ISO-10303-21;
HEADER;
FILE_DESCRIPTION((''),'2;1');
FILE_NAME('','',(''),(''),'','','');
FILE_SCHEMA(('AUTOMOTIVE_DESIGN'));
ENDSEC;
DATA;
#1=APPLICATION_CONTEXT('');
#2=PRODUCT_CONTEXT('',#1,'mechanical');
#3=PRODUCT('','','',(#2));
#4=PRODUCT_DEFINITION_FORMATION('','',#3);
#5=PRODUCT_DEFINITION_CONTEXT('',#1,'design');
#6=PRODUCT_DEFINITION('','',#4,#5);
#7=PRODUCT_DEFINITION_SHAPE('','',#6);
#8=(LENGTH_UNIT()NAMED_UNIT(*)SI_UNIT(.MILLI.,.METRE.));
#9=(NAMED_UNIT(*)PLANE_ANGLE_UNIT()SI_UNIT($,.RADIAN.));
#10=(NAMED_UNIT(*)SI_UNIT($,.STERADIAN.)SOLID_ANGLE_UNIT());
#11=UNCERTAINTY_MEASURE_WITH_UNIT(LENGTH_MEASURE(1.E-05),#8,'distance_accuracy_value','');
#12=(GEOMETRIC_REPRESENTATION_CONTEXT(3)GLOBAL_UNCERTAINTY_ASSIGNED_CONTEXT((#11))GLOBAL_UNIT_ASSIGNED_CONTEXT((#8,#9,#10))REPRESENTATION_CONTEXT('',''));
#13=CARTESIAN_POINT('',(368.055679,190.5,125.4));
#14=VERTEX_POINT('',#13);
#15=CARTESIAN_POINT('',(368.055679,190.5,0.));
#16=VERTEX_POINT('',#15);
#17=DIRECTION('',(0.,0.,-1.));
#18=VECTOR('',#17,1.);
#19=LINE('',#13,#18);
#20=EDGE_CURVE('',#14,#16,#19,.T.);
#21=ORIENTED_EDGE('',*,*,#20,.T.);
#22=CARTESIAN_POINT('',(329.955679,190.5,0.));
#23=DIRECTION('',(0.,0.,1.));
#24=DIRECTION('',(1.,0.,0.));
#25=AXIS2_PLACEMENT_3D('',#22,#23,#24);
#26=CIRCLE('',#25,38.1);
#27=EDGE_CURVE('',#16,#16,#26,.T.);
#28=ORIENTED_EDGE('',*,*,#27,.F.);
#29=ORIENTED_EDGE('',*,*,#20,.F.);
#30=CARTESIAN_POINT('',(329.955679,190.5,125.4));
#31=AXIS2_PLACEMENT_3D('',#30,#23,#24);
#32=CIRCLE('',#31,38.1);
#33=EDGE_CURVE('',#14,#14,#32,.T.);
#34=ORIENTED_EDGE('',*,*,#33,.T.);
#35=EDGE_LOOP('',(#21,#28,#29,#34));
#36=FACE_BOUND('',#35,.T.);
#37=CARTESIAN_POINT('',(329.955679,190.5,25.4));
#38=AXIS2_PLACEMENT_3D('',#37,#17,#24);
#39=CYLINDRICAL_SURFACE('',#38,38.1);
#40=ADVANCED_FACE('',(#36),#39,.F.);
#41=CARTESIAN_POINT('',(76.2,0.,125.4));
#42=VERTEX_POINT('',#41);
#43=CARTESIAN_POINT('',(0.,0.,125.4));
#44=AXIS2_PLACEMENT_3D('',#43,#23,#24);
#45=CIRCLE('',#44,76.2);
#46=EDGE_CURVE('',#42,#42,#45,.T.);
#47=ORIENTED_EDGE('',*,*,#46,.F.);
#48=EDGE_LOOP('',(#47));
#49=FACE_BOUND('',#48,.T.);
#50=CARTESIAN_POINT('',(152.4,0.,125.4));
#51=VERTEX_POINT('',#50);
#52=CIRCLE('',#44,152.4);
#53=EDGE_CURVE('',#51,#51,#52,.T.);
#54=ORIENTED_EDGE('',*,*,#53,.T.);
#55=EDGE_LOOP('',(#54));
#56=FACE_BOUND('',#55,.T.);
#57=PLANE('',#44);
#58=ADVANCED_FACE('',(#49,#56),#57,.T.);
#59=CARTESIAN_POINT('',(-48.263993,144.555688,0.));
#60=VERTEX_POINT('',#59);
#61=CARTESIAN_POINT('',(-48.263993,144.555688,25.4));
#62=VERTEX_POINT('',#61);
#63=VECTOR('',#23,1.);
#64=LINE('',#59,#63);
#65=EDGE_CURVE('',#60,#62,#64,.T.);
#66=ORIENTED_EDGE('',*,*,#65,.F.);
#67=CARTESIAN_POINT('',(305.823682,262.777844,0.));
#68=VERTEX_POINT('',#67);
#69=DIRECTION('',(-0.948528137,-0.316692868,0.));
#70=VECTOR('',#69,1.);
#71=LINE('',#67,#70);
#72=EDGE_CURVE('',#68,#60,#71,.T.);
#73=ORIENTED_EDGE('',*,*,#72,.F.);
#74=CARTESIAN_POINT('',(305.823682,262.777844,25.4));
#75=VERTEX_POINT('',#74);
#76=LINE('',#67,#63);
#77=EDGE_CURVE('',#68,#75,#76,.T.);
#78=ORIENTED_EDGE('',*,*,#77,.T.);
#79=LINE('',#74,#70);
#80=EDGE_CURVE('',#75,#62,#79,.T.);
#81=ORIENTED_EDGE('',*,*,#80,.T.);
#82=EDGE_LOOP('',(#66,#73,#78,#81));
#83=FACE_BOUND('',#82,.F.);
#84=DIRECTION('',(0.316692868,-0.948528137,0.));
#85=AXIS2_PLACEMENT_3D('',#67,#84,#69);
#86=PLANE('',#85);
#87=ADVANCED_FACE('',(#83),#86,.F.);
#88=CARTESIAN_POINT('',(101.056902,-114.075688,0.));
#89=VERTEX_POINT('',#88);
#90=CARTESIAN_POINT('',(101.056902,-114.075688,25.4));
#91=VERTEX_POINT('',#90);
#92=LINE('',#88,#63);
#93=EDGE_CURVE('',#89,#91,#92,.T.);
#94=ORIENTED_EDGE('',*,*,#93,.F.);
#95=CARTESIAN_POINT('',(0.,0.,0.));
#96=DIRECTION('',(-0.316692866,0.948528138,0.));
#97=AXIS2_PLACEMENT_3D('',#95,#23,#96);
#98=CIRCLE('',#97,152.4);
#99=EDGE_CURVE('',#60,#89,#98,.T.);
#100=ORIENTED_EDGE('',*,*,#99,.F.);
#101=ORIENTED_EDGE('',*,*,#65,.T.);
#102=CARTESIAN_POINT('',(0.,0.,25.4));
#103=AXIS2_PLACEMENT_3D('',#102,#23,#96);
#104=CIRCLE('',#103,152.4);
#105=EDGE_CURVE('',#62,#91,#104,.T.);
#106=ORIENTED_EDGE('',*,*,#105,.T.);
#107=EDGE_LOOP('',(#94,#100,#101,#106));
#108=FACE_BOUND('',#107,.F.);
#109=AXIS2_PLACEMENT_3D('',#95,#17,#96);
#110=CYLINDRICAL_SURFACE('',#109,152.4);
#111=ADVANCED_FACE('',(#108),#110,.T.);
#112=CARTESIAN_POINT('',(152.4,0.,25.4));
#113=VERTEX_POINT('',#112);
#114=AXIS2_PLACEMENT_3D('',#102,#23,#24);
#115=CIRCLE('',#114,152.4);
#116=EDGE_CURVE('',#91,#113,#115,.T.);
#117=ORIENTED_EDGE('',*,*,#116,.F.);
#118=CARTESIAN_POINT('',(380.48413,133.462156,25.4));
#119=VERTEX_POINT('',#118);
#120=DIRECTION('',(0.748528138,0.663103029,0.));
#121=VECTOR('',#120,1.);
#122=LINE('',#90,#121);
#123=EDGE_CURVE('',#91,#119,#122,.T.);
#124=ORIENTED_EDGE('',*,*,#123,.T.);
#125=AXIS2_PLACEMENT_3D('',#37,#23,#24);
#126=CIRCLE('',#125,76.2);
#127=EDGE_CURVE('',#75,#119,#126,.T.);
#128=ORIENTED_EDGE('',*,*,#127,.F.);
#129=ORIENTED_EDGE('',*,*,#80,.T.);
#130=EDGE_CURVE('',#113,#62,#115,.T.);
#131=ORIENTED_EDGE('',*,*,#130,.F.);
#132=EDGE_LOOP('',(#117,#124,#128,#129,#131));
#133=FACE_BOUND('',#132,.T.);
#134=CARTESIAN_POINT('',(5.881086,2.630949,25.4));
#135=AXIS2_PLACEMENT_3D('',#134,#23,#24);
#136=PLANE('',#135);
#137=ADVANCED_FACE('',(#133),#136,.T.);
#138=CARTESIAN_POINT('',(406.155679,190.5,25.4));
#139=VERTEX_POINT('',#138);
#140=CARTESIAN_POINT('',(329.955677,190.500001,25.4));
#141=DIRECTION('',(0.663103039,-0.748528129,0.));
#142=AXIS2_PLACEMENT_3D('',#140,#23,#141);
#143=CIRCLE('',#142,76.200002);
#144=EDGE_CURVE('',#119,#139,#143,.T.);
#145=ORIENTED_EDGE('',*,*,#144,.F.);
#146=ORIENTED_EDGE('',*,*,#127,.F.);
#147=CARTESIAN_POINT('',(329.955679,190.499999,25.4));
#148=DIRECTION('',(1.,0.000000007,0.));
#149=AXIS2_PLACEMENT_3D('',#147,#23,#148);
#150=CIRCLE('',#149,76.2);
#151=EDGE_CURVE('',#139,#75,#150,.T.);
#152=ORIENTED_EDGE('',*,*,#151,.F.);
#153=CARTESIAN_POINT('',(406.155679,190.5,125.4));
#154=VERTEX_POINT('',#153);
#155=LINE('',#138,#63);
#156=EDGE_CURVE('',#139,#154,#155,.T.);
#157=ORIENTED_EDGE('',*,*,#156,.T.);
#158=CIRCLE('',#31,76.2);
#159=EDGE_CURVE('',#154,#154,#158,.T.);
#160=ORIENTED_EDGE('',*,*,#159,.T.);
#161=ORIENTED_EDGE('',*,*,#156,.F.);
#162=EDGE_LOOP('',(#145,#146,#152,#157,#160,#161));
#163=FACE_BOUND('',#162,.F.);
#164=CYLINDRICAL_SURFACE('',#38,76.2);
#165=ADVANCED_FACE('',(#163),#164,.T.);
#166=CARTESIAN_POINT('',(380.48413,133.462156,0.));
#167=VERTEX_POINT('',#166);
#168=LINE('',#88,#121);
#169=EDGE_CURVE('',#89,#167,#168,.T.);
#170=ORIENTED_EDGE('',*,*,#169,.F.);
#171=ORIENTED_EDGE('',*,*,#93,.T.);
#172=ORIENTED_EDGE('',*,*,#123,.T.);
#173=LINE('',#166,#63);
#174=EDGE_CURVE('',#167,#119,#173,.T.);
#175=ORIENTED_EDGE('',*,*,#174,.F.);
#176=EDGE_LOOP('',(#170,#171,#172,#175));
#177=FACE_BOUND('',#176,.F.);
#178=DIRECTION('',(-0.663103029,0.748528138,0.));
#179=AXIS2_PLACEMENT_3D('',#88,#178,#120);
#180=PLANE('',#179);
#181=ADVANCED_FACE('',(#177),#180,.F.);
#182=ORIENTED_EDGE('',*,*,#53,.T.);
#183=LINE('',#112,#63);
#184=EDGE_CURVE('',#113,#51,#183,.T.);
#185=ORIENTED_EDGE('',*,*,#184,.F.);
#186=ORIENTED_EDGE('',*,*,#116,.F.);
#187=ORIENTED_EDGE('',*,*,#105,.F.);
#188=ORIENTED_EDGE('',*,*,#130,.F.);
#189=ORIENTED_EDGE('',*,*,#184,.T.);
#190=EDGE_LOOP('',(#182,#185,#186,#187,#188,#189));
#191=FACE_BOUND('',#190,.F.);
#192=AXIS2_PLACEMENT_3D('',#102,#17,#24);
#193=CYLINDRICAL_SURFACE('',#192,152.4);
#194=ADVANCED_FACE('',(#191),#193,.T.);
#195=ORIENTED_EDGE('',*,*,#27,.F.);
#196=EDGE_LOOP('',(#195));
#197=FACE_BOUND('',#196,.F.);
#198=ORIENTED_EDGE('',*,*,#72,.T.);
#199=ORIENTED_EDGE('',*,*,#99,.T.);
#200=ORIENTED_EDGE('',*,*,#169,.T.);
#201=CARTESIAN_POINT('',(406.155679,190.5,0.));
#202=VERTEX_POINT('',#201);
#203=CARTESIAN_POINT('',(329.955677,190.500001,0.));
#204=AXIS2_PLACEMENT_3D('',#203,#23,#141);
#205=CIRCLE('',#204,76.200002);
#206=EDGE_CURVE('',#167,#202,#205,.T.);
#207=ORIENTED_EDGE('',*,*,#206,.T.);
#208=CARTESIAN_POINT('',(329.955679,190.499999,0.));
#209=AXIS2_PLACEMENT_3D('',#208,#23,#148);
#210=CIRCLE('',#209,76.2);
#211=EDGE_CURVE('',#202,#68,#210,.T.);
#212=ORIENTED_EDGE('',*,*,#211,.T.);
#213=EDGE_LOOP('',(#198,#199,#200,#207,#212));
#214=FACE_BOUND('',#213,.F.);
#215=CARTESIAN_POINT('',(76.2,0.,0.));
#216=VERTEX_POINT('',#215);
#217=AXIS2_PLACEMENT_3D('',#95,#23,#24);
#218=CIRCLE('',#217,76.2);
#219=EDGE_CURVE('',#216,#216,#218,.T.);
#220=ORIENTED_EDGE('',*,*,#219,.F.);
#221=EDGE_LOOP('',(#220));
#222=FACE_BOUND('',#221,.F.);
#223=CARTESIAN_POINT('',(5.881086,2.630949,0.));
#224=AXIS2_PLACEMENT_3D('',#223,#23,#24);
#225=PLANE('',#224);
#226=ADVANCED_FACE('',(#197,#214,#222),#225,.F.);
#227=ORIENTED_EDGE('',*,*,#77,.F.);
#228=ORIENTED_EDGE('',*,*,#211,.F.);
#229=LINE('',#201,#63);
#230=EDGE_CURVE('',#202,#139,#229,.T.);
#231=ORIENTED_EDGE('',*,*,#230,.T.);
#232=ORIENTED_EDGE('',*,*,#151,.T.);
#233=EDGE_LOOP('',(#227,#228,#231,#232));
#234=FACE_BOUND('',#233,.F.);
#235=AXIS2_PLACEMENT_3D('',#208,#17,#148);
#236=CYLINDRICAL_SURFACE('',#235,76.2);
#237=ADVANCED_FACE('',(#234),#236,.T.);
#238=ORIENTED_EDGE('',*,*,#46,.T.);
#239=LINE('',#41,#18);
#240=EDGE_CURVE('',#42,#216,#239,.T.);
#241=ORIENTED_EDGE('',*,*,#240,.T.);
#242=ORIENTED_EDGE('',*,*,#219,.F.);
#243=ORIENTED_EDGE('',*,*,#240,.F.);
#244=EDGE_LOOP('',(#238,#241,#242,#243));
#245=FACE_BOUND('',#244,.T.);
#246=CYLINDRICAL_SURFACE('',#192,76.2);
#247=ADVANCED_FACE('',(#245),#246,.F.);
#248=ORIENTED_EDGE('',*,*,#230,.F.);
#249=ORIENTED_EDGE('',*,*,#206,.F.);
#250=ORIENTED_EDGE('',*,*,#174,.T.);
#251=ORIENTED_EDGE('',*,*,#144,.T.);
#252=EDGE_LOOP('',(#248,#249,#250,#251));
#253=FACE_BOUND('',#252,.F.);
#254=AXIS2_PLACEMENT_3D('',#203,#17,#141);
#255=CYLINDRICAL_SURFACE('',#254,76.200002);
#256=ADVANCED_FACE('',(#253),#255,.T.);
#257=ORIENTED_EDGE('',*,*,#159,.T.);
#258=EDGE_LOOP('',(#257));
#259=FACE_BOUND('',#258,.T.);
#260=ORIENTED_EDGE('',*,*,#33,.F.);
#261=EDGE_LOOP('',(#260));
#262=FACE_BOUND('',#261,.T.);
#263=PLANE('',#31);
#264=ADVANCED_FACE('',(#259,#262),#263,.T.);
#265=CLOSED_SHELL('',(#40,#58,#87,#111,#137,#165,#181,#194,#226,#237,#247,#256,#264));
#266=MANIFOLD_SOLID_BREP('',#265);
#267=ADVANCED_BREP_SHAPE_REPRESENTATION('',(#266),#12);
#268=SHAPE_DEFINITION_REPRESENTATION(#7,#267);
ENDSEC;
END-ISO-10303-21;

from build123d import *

# Parameters (mm, degrees)
F0_R     = 76.2
F0_R_2   = 38.1
F1_DEPTH = 25.4
F2_R     = 152.4
F2_R_2   = 76.2
F3_DEPTH = 100
F4_R     = 76.2
F4_R_2   = 38.1
F5_DEPTH = 100


with BuildPart() as f1:
    # F0 (on Top) → F1 (new body)
    with BuildSketch(Plane.XY):
        with BuildLine():
            ThreePointArc((101.056902, -114.075688), (138.972716, -62.548734), (152.4, 0))
            ThreePointArc((152.4, 0), (89.079536, 123.655151), (-48.263993, 144.555688))
            ThreePointArc((-48.263993, 144.555688), (-131.982272, -76.2), (101.056902, -114.075688))
        make_face()
        Circle(F0_R, mode=Mode.SUBTRACT)
        with BuildLine():
            ThreePointArc((-48.263993, 144.555688), (89.079536, 123.655151), (152.4, 0))
            ThreePointArc((152.4, 0), (138.972716, -62.548734), (101.056902, -114.075688))
            Line((101.056902, -114.075688), (380.48413, 133.462156))
            ThreePointArc((380.48413, 133.462156), (263.964543, 152.4), (305.823682, 262.777844))
            Line((305.823682, 262.777844), (-48.263993, 144.555688))
        make_face()
        with BuildLine():
            ThreePointArc((406.155679, 190.5), (374.495447, 252.327575), (305.823682, 262.777844))
            ThreePointArc((305.823682, 262.777844), (263.964543, 152.4), (380.48413, 133.462156))
            ThreePointArc((380.48413, 133.462156), (399.442037, 159.225633), (406.155679, 190.5))
        make_face()
        with Locations((329.955679, 190.5)):
            Circle(F0_R_2, mode=Mode.SUBTRACT)
    extrude(amount=F1_DEPTH)

    # F2 (on face) → F3 (join)
    with BuildSketch(Plane.XY.offset(25.4)):
        Circle(F2_R)
        Circle(F2_R_2, mode=Mode.SUBTRACT)
    extrude(amount=F3_DEPTH)

    # F4 (on face) → F5 (join, through all)
    with BuildSketch(Plane.XY.offset(25.4)):
        with Locations((329.955679, 190.5)):
            Circle(F4_R)
        with Locations((329.955679, 190.5)):
            Circle(F4_R_2, mode=Mode.SUBTRACT)
    extrude(amount=F5_DEPTH)


solid = f1.part
